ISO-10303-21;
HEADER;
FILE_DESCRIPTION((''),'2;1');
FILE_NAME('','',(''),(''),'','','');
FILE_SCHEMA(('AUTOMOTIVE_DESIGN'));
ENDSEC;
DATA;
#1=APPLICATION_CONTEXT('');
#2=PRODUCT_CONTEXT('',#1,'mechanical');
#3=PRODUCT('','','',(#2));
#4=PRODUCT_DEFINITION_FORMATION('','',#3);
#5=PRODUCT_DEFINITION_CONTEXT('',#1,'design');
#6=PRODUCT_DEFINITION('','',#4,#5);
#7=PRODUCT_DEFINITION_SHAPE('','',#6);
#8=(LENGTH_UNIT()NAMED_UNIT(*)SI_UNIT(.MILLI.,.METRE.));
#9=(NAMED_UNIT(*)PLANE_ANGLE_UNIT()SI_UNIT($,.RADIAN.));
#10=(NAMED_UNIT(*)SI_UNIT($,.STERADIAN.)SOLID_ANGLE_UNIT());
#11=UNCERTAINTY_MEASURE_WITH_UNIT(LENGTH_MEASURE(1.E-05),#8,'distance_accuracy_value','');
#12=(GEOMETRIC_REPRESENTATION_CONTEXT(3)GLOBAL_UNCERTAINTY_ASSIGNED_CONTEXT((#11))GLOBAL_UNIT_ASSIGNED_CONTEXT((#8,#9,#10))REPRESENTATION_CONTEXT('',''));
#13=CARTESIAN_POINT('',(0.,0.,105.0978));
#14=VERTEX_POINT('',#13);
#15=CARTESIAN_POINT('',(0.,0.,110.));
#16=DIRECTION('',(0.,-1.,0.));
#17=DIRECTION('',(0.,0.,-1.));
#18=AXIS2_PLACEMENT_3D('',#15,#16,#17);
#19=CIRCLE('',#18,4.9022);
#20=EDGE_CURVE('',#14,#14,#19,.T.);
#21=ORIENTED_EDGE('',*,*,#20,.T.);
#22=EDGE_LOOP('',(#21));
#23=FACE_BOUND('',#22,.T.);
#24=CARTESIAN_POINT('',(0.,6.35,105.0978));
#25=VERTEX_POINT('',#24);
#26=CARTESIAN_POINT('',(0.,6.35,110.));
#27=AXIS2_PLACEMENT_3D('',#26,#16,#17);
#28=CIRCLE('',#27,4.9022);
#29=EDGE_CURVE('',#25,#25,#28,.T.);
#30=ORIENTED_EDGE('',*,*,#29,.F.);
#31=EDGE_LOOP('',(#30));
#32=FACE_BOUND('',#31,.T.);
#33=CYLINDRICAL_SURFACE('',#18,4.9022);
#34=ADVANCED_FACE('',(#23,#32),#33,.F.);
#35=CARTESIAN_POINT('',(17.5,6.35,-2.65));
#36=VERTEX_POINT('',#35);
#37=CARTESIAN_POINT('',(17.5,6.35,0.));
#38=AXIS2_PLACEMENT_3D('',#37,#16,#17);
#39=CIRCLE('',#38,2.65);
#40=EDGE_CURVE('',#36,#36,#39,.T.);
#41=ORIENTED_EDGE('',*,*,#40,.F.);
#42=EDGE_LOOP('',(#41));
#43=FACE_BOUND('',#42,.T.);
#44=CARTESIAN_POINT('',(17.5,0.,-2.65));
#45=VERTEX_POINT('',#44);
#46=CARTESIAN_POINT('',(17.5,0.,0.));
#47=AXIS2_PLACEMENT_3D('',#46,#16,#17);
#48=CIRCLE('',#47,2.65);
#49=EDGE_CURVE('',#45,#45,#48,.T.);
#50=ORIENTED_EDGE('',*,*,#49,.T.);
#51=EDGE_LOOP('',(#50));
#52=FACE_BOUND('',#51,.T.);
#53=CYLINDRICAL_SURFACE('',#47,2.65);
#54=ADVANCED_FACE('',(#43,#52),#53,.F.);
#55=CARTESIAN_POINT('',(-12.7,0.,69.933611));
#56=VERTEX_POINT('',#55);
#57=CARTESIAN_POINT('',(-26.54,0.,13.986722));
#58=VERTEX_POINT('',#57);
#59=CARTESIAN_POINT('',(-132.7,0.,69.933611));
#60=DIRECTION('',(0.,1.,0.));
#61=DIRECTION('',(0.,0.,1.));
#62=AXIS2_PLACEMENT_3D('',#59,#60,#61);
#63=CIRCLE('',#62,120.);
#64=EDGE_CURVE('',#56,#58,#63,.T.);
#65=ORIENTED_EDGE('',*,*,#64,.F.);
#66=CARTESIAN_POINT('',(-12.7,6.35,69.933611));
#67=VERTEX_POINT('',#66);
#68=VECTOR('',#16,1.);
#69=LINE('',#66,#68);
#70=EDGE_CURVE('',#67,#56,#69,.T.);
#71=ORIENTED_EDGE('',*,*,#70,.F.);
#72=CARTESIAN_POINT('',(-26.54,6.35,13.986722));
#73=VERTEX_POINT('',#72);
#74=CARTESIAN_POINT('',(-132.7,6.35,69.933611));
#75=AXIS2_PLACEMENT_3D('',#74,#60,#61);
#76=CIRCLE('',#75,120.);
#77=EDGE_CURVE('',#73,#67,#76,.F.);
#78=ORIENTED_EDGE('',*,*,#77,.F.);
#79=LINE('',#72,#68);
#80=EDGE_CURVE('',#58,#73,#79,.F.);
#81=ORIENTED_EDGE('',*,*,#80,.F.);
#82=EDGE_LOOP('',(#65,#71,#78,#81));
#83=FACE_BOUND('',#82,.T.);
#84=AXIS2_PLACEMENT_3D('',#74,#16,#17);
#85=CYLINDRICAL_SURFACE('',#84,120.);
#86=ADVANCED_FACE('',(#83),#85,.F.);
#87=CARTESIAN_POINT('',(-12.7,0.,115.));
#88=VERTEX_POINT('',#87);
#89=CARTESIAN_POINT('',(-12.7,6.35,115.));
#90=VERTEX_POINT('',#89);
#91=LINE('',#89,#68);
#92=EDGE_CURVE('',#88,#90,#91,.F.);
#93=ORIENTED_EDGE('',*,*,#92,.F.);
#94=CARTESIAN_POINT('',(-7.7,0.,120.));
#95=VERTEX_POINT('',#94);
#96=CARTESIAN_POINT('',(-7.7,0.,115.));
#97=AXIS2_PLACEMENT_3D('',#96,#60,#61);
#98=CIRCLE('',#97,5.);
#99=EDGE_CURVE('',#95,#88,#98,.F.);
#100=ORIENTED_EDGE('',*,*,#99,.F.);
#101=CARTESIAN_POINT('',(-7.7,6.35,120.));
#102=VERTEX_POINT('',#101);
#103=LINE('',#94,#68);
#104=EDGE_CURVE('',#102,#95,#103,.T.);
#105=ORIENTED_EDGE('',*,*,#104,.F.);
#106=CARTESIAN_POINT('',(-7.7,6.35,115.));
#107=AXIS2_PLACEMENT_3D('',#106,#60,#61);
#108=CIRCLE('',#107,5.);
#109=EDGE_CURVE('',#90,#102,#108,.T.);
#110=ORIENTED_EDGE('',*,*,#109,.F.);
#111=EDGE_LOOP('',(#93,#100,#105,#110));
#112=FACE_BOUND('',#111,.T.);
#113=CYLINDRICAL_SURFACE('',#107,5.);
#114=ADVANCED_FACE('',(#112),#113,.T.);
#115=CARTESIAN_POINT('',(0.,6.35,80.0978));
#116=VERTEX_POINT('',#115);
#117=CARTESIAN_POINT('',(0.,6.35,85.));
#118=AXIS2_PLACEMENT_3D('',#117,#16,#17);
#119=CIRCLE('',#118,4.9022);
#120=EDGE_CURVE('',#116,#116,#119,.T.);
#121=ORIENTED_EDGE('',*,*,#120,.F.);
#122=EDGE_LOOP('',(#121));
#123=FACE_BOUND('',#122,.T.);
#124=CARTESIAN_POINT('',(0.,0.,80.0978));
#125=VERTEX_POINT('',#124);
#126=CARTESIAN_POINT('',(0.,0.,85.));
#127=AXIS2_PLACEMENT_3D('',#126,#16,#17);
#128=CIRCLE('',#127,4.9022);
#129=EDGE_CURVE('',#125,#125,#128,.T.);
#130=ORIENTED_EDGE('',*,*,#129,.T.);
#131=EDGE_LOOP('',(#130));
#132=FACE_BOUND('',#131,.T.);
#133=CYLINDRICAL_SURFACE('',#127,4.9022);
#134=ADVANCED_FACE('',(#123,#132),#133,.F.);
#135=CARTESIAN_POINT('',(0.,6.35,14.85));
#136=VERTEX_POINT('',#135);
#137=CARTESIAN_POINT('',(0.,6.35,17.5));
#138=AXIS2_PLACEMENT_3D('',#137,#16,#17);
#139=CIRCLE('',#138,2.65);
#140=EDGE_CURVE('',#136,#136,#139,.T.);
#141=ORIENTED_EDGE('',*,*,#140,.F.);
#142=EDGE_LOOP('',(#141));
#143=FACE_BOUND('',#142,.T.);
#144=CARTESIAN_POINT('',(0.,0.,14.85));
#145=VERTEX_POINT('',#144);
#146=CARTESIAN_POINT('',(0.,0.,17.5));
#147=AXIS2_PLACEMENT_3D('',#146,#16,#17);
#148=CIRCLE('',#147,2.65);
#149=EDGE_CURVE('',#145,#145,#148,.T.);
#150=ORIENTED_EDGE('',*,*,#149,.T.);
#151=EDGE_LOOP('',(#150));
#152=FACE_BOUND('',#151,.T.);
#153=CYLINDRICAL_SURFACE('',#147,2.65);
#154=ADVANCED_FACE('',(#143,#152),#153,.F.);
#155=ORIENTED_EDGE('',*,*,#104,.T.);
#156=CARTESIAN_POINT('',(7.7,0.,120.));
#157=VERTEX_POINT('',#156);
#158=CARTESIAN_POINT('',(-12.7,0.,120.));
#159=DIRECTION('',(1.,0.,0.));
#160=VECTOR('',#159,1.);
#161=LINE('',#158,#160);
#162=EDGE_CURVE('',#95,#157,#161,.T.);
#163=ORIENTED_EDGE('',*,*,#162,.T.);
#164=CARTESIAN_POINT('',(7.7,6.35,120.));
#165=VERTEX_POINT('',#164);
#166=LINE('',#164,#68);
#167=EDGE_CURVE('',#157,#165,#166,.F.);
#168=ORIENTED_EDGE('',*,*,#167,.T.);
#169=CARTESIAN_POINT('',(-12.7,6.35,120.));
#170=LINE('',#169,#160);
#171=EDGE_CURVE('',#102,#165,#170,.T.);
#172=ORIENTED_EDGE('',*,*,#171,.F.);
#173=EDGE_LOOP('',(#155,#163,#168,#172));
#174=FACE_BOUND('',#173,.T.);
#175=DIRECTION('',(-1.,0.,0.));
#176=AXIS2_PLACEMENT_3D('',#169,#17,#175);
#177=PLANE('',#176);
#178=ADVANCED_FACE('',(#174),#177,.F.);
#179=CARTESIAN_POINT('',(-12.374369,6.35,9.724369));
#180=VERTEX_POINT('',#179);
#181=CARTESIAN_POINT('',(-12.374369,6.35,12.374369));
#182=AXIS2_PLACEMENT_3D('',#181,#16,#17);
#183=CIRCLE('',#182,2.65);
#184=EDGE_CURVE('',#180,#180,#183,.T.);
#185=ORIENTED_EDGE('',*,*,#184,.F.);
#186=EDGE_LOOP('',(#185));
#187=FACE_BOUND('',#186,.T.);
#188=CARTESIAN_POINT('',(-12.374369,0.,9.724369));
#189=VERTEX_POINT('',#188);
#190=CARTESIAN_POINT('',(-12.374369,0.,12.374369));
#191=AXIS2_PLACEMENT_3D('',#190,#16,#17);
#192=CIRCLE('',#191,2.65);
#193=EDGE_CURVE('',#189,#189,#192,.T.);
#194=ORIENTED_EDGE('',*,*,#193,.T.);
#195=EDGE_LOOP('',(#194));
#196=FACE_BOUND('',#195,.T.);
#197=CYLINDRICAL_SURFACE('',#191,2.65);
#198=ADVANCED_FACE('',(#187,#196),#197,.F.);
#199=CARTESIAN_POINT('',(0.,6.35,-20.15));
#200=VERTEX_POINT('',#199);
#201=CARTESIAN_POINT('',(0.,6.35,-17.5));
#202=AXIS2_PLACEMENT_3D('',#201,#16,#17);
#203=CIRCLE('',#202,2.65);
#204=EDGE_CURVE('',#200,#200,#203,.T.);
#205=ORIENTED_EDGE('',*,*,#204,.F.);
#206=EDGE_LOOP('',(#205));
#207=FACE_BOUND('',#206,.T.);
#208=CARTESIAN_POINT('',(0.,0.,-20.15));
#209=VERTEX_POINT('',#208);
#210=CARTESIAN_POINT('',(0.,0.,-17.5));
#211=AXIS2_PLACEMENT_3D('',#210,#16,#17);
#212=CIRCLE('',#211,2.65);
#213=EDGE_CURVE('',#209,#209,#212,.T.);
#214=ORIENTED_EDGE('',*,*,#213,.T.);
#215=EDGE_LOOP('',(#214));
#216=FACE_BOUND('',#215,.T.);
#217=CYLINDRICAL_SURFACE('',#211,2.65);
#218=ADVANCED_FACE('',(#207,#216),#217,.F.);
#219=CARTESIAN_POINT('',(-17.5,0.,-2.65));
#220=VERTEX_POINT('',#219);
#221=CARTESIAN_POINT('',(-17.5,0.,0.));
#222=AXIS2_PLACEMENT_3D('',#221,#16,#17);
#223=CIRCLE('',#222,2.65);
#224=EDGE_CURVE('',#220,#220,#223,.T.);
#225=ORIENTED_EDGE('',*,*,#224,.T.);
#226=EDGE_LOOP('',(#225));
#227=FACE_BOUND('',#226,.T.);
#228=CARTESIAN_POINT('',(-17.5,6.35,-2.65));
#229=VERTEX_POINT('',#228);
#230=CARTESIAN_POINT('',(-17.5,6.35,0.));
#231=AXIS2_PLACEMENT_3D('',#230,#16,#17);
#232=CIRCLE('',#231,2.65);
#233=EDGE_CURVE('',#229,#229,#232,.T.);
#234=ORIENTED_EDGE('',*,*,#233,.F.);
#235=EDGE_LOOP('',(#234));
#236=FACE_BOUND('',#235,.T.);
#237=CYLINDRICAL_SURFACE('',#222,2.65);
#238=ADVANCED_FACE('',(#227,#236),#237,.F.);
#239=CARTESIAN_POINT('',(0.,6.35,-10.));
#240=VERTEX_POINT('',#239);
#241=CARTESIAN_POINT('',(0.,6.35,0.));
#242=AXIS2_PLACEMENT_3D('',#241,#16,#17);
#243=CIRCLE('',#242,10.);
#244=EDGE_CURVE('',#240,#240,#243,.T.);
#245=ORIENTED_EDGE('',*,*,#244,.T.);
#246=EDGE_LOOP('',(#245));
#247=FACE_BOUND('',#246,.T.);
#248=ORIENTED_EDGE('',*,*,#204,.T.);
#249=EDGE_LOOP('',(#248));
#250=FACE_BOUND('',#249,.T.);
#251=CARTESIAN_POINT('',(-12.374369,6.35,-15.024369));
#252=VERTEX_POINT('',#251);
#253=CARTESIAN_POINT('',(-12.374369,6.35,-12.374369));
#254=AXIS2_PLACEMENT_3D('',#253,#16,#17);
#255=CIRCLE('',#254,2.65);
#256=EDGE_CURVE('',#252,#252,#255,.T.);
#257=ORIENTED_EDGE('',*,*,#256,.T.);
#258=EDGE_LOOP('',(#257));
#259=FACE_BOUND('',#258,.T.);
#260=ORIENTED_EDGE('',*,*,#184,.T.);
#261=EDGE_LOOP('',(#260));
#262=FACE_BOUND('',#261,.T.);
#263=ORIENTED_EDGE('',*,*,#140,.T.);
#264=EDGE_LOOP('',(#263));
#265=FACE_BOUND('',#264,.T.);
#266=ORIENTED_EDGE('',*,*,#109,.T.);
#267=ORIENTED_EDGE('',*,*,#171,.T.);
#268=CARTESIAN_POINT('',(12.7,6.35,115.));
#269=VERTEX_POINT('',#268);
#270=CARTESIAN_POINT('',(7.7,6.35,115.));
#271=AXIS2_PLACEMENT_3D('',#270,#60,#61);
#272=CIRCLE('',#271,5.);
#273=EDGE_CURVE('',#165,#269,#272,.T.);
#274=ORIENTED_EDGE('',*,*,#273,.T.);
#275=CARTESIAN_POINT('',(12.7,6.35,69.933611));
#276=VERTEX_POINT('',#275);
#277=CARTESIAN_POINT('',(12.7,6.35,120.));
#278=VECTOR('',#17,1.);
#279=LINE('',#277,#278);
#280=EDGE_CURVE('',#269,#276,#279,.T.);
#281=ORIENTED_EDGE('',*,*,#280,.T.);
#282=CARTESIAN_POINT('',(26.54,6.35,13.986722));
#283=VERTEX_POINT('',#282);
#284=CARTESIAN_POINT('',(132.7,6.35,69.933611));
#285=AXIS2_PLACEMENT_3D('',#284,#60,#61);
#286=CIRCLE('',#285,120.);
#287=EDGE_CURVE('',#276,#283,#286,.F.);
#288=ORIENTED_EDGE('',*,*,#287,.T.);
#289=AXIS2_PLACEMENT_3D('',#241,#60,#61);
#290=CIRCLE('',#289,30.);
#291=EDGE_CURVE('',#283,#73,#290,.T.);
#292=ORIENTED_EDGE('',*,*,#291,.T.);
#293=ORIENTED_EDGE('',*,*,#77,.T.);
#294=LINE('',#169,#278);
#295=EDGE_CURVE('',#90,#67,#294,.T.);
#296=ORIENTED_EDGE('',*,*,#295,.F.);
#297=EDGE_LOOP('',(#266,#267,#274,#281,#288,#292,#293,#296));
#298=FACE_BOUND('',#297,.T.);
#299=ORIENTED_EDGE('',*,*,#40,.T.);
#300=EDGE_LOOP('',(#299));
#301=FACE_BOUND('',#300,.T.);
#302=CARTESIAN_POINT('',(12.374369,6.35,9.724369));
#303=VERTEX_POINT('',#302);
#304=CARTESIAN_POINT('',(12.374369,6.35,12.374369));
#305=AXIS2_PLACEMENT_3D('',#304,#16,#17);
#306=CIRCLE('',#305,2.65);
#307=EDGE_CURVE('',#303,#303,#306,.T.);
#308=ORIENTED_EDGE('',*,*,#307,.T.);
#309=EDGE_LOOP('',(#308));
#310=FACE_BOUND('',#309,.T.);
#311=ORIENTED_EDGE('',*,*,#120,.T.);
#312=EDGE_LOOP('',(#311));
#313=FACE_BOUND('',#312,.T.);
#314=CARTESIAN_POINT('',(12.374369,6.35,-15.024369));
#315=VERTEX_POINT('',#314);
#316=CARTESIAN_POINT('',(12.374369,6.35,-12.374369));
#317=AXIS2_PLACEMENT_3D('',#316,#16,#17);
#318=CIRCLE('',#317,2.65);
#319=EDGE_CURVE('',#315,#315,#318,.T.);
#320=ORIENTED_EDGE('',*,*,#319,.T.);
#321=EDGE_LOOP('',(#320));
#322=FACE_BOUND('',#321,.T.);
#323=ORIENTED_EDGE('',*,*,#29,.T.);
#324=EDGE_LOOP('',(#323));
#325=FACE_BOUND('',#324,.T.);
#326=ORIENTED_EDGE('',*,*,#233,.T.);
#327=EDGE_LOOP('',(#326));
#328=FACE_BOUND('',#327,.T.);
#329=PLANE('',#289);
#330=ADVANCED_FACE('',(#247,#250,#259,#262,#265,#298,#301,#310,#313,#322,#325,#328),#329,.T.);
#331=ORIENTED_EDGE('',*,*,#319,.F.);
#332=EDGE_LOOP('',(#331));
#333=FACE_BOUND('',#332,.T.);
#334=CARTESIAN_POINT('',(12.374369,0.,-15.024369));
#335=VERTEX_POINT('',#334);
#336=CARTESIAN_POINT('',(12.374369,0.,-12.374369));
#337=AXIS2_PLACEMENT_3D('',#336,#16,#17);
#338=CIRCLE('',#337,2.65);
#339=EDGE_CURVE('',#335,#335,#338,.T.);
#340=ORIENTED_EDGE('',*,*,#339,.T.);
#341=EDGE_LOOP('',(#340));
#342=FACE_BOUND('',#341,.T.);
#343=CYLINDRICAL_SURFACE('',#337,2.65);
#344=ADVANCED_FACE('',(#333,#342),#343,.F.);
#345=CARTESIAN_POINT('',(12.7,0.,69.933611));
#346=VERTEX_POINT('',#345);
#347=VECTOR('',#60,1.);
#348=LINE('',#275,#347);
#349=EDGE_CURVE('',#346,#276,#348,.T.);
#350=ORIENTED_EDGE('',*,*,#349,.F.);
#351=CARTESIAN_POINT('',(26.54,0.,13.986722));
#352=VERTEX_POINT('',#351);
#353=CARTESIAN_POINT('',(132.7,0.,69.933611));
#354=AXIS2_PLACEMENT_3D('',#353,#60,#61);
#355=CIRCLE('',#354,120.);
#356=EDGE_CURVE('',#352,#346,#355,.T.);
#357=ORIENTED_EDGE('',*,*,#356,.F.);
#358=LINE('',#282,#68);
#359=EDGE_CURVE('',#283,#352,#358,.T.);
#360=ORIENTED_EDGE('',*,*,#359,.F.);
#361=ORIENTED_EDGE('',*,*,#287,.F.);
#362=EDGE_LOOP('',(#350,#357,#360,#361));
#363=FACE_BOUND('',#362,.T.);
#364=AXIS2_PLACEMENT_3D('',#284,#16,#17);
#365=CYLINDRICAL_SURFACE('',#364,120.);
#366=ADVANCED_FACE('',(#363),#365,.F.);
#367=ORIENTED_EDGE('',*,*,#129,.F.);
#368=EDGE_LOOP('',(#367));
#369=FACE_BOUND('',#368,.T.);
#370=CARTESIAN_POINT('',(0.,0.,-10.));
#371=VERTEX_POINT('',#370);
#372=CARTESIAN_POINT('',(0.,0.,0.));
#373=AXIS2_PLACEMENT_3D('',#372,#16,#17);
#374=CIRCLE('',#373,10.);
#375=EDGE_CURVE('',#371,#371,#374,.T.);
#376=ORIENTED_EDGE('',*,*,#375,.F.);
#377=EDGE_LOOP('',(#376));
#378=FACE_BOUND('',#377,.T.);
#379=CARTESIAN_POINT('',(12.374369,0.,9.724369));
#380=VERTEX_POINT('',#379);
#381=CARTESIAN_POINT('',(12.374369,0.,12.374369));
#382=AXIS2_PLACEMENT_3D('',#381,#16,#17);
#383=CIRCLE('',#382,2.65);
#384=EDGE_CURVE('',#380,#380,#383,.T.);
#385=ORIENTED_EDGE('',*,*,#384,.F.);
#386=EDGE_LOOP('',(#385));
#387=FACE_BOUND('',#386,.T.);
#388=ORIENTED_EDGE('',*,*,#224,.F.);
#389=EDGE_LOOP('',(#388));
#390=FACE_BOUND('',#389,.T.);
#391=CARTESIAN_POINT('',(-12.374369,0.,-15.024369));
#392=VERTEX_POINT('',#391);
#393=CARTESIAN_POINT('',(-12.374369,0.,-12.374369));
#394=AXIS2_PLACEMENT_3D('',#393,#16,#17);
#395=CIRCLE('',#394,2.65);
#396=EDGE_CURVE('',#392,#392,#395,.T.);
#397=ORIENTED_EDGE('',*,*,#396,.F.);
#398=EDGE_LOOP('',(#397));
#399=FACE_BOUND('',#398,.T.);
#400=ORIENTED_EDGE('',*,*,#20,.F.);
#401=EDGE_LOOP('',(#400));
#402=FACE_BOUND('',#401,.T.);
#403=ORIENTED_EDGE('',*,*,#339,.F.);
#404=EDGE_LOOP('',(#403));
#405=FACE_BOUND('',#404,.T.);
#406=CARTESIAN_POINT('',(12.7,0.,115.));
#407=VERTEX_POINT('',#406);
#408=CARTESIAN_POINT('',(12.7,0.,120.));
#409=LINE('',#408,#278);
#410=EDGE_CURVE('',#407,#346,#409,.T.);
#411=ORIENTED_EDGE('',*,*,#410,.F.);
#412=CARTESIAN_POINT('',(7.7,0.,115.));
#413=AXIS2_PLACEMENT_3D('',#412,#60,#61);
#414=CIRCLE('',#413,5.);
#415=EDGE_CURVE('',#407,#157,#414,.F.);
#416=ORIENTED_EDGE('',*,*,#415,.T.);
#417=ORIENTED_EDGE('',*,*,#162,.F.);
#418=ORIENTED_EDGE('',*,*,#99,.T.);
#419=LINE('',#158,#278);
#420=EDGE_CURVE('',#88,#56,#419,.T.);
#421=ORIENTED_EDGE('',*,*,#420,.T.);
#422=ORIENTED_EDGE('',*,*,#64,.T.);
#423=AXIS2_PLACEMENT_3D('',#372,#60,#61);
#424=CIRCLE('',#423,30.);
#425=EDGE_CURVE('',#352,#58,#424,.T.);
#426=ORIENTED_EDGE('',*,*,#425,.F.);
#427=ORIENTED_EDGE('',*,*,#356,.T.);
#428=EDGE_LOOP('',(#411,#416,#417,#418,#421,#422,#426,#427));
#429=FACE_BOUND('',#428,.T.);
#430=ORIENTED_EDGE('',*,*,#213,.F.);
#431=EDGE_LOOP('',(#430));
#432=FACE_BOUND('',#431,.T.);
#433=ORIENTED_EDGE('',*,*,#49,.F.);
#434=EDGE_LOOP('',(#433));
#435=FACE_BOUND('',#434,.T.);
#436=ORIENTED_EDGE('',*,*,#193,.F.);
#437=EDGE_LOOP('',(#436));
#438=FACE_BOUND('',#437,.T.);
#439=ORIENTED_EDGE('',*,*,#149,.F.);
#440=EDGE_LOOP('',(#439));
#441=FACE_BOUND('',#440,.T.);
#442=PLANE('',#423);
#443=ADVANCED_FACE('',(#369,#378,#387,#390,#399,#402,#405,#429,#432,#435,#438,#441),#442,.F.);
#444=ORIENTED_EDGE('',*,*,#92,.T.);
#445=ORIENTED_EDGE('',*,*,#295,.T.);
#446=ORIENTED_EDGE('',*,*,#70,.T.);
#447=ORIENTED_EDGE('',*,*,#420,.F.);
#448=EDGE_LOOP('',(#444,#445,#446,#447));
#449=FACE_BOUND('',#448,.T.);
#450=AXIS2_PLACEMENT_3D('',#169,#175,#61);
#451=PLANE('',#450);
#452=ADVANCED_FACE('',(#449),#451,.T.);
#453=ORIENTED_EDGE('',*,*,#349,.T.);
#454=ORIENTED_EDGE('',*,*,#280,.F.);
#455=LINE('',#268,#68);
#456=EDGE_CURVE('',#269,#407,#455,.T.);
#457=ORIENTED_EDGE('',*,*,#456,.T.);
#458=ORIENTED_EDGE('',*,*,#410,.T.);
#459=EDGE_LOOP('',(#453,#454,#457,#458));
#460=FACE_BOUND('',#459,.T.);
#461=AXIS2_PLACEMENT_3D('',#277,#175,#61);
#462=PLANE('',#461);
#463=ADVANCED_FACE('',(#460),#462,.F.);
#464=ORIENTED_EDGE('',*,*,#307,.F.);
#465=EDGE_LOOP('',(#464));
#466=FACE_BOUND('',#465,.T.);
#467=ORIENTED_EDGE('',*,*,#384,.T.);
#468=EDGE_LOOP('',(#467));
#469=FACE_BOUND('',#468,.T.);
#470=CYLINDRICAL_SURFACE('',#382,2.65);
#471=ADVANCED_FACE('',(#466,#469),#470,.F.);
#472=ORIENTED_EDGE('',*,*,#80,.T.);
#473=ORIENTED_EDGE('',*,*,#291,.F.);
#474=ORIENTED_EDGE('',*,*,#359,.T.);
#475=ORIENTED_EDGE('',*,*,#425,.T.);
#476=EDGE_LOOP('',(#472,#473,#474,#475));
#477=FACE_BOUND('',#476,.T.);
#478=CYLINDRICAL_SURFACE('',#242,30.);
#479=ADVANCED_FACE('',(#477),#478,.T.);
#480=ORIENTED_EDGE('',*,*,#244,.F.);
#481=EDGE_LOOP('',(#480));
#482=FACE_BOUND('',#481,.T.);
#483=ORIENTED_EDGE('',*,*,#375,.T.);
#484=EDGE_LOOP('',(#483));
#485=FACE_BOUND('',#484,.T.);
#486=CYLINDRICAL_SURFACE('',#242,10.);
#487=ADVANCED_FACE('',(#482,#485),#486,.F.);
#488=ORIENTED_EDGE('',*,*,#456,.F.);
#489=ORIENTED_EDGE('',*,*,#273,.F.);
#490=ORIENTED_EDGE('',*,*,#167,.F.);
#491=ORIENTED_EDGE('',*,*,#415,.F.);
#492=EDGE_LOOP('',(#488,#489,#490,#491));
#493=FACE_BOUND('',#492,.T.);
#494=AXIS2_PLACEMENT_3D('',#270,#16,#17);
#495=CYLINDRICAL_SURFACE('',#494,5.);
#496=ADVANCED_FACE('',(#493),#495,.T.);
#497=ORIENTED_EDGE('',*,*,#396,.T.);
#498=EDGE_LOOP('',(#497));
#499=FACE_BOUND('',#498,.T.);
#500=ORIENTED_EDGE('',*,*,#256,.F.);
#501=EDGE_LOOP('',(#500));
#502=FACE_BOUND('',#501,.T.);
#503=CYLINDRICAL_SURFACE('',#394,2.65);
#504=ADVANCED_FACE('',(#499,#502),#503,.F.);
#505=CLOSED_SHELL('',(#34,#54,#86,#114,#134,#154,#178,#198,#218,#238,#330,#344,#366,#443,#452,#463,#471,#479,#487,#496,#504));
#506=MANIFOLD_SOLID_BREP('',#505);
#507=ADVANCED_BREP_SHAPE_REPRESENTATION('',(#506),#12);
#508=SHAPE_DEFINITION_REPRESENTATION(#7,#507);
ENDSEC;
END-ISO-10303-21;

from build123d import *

# Parameters (mm, degrees)
BOSS_EXTRUDE1_DEPTH     = 6.35
M5_CLEARANCE_HOLE1_D    = 5.3
SKETCH5_R               = 10
CUT_EXTRUDE1_DEPTH      = 124.856055565
F_3_8_CLEARANCE_HOLE1_D = 9.8044
FILLET1_R               = 120
FILLET2_R               = 5


with BuildPart() as part:
    # Sketch1 → Boss-Extrude1 (new body)
    with BuildSketch(Plane(origin=(0, 0, 0), x_dir=(1, 0, 0), z_dir=(0, 1, 0))):
        with BuildLine():
            Line((-12.7, -120), (12.7, -120))
            Line((12.7, -120), (12.7, -27.179220004))
            ThreePointArc((12.7, -27.179220004), (0, 30), (-12.7, -27.179220004))
            Line((-12.7, -27.179220004), (-12.7, -120))
        make_face()
    extrude(amount=BOSS_EXTRUDE1_DEPTH)

    # M5 Clearance Hole1 (through all)
    with Locations(Plane(origin=(0, 0, 0), x_dir=(-1, 0, 0), z_dir=(0, -1, 0))):
        with Locations((0, 17.5), (12.374368671, 12.374368671), (17.5, 0), (12.374368671, -12.374368671), (0, -17.5), (-12.374368671, -12.374368671), (-17.5, 0), (-12.374368671, 12.374368671)):
            Hole(M5_CLEARANCE_HOLE1_D / 2)

    # Sketch5 → Cut-Extrude1 (cut, through all)
    with BuildSketch(Plane.XZ):
        Circle(SKETCH5_R)
    extrude(amount=-CUT_EXTRUDE1_DEPTH, mode=Mode.SUBTRACT)

    # 3/8 Clearance Hole1 (through all)
    with Locations(Plane(origin=(0, 0, 0), x_dir=(-1, 0, 0), z_dir=(0, -1, 0))):
        with Locations((0, -85), (0, -110)):
            Hole(F_3_8_CLEARANCE_HOLE1_D / 2)

    # Fillet1
    fillet1_edges = [part.edges().sort_by_distance(p)[0] for p in [
        (-12.7, 3.175, 27.179220004),
        (12.7, 3.175, 27.179220004),
    ]]
    fillet(fillet1_edges, radius=FILLET1_R)

    # Fillet2
    fillet2_edges = [part.edges().sort_by_distance(p)[0] for p in [
        (12.7, 3.175, 120),
        (-12.7, 3.175, 120),
    ]]
    fillet(fillet2_edges, radius=FILLET2_R)


solid = part.part
